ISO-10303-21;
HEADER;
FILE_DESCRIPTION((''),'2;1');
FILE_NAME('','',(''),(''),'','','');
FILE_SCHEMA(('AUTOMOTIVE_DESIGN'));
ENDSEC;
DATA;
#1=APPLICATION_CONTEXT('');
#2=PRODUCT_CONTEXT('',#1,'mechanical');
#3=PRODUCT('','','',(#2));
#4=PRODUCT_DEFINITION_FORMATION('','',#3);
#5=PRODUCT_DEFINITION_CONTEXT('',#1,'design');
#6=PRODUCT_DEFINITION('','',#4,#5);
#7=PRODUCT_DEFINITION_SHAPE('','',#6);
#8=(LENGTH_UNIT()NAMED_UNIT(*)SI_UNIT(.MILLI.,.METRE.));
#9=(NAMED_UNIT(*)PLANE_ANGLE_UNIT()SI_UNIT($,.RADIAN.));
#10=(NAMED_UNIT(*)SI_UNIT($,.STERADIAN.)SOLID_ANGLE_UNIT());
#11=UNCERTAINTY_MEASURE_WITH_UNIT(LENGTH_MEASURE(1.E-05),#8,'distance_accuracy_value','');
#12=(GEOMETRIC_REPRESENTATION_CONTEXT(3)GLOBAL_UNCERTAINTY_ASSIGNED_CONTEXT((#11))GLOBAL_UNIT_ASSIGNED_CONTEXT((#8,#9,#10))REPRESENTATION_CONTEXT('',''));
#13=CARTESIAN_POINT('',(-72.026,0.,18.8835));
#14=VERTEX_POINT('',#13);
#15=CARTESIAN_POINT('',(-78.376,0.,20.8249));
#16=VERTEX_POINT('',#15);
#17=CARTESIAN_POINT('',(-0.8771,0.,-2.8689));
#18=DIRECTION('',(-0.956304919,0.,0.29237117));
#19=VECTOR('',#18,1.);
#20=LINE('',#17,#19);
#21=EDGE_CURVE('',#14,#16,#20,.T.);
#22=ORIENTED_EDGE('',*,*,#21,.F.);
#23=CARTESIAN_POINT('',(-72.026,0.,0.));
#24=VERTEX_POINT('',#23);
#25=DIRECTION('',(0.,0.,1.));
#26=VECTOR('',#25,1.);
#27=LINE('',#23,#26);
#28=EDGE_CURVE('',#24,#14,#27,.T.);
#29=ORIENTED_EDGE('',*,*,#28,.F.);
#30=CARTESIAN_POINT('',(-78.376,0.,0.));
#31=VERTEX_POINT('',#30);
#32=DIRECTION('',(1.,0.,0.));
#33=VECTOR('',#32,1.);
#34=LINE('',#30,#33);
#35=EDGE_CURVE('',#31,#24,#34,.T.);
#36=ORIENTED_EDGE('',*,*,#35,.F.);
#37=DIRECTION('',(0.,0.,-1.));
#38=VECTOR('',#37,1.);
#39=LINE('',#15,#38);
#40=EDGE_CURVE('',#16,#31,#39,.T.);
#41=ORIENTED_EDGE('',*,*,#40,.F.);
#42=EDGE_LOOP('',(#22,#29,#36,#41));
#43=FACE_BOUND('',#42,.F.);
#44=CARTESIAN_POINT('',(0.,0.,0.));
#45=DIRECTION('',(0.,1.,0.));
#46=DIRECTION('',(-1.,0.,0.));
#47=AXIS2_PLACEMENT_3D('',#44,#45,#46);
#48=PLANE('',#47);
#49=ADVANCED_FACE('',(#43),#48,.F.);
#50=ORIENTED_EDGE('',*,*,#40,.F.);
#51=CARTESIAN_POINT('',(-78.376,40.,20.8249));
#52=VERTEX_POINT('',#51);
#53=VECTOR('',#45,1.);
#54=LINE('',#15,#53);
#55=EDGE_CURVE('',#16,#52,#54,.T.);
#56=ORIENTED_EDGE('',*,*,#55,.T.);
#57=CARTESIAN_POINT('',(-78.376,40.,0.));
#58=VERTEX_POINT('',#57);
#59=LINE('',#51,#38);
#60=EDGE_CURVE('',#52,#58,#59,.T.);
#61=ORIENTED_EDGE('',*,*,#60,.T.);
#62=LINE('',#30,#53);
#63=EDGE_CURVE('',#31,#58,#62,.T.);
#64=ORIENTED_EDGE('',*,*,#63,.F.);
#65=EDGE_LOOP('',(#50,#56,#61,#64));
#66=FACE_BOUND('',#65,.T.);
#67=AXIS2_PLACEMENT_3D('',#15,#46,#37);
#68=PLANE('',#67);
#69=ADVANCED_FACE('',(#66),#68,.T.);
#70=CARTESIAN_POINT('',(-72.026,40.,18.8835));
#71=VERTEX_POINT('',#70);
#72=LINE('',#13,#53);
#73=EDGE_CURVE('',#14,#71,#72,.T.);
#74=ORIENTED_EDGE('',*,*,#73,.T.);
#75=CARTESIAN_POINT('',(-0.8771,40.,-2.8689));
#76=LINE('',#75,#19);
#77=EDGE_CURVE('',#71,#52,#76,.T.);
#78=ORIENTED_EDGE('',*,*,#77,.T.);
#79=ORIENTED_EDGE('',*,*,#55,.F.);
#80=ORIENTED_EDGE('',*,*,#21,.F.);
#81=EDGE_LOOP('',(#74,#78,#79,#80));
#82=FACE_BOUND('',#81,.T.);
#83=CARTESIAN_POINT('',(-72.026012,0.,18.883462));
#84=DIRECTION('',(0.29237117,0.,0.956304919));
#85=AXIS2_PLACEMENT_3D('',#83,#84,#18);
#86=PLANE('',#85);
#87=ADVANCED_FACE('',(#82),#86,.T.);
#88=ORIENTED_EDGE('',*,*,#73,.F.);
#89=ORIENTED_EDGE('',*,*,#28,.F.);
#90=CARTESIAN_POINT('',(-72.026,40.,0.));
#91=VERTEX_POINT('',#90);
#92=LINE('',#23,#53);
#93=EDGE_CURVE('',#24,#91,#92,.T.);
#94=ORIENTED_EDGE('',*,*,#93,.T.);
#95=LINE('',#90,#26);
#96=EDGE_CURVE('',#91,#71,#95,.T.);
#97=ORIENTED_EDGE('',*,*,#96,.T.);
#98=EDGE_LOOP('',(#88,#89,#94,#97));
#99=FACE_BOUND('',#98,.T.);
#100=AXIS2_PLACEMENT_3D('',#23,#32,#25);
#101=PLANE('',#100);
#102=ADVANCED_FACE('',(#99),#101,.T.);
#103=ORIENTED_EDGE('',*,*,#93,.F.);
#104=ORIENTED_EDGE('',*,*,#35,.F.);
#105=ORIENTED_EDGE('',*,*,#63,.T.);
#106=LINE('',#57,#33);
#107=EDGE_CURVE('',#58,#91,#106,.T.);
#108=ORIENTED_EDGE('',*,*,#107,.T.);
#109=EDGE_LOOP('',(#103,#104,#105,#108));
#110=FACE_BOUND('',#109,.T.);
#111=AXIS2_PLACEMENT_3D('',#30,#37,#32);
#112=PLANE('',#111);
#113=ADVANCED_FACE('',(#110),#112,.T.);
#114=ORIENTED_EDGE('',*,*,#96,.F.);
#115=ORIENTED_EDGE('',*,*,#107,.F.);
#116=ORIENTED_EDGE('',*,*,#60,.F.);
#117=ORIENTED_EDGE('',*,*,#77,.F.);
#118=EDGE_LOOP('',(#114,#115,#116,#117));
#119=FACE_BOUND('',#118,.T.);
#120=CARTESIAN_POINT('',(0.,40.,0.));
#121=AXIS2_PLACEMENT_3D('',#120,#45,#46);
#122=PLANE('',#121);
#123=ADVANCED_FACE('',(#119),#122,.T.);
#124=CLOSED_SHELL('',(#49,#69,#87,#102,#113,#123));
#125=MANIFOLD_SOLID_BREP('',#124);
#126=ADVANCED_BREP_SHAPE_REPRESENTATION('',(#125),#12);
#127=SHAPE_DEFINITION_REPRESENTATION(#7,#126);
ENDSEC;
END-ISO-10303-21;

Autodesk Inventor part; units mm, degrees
ref_plane "YZ Plane" through (0, 0, 0) normal (1, 0, 0) x (0, 1, 0)
ref_plane "XZ Plane" through (0, 0, 0) normal (0, 1, 0) x (-1, 0, 0)
ref_plane "XY Plane" through (0, 0, 0) normal (0, 0, 1) x (1, 0, 0)
sketch "Sketch1" plane through (0, 0, 0) normal (0, 1, 0) x (-1, 0, 0)
  line L0 (0, 0) -> (77.9718, 23.8384)
  line L1 (78.376, 20.8249) -> (78.376, 0)
  line L2 (78.376, 0) -> (72.026, 0)
  line L3 (72.026, 0) -> (72.026, 18.8835)
  line L4 (0, 0) -> (50.5854, 0)
  line L5 (0, 0) -> (0.8771, -2.8689)
  line L6 (0.8771, -2.8689) -> (79.2531, 21.093)
  line L7 (79.2531, 21.093) -> (78.376, 23.9619)
  line L8 (78.376, 20.8249) -> (78.376, 23.9619)
  dimension "d0" = 6.35
  dimension "d1" = 17
  dimension "d2" = 78.376
  dimension "d5" = 3
  dimension "d6" = 3
extrude "Extrusion2" add sketch "Sketch1" along normal blind 40 contours L1 L2 L3 L6
equation "\"d0\" = acrylicThickness"
equation "\"d1\" = mirrorAngle"
equation "\"d2\" = -centerThickness + depth - aerogelThickness - fresnelThickness"
equation "\"d5\" = mirrorThickness"
equation "\"d6\" = mirrorThickness"
equation "\"d7\" = mirrorSuppourtWidth"
equation "\"acrylicThickness\" = 6.35"
equation "\"aerogelThickness\" = 20"
equation "\"depth\" = 100"
equation "\"mirrorAngle\" = 17deg"
equation "\"detectorWidth\" = 52"
equation "\"detectorHeight\" = 52"
equation "\"mirrorThickness\" = 3"
equation "\"fresnelThickness\" = 0.1"
equation "\"focalLength\" = 76.2"
equation "\"ior\" = 1.49"
equation "\"centerThickness\" = 1.524"
equation "\"fresnelAngle\" = 90deg"
equation "\"fresnelEffectiveDiameter\" = 76.2"
equation "\"mirrorSuppourtWidth\" = 40"
properties part number "mirrorSuppourt" material "PC/ABS Plastic"
